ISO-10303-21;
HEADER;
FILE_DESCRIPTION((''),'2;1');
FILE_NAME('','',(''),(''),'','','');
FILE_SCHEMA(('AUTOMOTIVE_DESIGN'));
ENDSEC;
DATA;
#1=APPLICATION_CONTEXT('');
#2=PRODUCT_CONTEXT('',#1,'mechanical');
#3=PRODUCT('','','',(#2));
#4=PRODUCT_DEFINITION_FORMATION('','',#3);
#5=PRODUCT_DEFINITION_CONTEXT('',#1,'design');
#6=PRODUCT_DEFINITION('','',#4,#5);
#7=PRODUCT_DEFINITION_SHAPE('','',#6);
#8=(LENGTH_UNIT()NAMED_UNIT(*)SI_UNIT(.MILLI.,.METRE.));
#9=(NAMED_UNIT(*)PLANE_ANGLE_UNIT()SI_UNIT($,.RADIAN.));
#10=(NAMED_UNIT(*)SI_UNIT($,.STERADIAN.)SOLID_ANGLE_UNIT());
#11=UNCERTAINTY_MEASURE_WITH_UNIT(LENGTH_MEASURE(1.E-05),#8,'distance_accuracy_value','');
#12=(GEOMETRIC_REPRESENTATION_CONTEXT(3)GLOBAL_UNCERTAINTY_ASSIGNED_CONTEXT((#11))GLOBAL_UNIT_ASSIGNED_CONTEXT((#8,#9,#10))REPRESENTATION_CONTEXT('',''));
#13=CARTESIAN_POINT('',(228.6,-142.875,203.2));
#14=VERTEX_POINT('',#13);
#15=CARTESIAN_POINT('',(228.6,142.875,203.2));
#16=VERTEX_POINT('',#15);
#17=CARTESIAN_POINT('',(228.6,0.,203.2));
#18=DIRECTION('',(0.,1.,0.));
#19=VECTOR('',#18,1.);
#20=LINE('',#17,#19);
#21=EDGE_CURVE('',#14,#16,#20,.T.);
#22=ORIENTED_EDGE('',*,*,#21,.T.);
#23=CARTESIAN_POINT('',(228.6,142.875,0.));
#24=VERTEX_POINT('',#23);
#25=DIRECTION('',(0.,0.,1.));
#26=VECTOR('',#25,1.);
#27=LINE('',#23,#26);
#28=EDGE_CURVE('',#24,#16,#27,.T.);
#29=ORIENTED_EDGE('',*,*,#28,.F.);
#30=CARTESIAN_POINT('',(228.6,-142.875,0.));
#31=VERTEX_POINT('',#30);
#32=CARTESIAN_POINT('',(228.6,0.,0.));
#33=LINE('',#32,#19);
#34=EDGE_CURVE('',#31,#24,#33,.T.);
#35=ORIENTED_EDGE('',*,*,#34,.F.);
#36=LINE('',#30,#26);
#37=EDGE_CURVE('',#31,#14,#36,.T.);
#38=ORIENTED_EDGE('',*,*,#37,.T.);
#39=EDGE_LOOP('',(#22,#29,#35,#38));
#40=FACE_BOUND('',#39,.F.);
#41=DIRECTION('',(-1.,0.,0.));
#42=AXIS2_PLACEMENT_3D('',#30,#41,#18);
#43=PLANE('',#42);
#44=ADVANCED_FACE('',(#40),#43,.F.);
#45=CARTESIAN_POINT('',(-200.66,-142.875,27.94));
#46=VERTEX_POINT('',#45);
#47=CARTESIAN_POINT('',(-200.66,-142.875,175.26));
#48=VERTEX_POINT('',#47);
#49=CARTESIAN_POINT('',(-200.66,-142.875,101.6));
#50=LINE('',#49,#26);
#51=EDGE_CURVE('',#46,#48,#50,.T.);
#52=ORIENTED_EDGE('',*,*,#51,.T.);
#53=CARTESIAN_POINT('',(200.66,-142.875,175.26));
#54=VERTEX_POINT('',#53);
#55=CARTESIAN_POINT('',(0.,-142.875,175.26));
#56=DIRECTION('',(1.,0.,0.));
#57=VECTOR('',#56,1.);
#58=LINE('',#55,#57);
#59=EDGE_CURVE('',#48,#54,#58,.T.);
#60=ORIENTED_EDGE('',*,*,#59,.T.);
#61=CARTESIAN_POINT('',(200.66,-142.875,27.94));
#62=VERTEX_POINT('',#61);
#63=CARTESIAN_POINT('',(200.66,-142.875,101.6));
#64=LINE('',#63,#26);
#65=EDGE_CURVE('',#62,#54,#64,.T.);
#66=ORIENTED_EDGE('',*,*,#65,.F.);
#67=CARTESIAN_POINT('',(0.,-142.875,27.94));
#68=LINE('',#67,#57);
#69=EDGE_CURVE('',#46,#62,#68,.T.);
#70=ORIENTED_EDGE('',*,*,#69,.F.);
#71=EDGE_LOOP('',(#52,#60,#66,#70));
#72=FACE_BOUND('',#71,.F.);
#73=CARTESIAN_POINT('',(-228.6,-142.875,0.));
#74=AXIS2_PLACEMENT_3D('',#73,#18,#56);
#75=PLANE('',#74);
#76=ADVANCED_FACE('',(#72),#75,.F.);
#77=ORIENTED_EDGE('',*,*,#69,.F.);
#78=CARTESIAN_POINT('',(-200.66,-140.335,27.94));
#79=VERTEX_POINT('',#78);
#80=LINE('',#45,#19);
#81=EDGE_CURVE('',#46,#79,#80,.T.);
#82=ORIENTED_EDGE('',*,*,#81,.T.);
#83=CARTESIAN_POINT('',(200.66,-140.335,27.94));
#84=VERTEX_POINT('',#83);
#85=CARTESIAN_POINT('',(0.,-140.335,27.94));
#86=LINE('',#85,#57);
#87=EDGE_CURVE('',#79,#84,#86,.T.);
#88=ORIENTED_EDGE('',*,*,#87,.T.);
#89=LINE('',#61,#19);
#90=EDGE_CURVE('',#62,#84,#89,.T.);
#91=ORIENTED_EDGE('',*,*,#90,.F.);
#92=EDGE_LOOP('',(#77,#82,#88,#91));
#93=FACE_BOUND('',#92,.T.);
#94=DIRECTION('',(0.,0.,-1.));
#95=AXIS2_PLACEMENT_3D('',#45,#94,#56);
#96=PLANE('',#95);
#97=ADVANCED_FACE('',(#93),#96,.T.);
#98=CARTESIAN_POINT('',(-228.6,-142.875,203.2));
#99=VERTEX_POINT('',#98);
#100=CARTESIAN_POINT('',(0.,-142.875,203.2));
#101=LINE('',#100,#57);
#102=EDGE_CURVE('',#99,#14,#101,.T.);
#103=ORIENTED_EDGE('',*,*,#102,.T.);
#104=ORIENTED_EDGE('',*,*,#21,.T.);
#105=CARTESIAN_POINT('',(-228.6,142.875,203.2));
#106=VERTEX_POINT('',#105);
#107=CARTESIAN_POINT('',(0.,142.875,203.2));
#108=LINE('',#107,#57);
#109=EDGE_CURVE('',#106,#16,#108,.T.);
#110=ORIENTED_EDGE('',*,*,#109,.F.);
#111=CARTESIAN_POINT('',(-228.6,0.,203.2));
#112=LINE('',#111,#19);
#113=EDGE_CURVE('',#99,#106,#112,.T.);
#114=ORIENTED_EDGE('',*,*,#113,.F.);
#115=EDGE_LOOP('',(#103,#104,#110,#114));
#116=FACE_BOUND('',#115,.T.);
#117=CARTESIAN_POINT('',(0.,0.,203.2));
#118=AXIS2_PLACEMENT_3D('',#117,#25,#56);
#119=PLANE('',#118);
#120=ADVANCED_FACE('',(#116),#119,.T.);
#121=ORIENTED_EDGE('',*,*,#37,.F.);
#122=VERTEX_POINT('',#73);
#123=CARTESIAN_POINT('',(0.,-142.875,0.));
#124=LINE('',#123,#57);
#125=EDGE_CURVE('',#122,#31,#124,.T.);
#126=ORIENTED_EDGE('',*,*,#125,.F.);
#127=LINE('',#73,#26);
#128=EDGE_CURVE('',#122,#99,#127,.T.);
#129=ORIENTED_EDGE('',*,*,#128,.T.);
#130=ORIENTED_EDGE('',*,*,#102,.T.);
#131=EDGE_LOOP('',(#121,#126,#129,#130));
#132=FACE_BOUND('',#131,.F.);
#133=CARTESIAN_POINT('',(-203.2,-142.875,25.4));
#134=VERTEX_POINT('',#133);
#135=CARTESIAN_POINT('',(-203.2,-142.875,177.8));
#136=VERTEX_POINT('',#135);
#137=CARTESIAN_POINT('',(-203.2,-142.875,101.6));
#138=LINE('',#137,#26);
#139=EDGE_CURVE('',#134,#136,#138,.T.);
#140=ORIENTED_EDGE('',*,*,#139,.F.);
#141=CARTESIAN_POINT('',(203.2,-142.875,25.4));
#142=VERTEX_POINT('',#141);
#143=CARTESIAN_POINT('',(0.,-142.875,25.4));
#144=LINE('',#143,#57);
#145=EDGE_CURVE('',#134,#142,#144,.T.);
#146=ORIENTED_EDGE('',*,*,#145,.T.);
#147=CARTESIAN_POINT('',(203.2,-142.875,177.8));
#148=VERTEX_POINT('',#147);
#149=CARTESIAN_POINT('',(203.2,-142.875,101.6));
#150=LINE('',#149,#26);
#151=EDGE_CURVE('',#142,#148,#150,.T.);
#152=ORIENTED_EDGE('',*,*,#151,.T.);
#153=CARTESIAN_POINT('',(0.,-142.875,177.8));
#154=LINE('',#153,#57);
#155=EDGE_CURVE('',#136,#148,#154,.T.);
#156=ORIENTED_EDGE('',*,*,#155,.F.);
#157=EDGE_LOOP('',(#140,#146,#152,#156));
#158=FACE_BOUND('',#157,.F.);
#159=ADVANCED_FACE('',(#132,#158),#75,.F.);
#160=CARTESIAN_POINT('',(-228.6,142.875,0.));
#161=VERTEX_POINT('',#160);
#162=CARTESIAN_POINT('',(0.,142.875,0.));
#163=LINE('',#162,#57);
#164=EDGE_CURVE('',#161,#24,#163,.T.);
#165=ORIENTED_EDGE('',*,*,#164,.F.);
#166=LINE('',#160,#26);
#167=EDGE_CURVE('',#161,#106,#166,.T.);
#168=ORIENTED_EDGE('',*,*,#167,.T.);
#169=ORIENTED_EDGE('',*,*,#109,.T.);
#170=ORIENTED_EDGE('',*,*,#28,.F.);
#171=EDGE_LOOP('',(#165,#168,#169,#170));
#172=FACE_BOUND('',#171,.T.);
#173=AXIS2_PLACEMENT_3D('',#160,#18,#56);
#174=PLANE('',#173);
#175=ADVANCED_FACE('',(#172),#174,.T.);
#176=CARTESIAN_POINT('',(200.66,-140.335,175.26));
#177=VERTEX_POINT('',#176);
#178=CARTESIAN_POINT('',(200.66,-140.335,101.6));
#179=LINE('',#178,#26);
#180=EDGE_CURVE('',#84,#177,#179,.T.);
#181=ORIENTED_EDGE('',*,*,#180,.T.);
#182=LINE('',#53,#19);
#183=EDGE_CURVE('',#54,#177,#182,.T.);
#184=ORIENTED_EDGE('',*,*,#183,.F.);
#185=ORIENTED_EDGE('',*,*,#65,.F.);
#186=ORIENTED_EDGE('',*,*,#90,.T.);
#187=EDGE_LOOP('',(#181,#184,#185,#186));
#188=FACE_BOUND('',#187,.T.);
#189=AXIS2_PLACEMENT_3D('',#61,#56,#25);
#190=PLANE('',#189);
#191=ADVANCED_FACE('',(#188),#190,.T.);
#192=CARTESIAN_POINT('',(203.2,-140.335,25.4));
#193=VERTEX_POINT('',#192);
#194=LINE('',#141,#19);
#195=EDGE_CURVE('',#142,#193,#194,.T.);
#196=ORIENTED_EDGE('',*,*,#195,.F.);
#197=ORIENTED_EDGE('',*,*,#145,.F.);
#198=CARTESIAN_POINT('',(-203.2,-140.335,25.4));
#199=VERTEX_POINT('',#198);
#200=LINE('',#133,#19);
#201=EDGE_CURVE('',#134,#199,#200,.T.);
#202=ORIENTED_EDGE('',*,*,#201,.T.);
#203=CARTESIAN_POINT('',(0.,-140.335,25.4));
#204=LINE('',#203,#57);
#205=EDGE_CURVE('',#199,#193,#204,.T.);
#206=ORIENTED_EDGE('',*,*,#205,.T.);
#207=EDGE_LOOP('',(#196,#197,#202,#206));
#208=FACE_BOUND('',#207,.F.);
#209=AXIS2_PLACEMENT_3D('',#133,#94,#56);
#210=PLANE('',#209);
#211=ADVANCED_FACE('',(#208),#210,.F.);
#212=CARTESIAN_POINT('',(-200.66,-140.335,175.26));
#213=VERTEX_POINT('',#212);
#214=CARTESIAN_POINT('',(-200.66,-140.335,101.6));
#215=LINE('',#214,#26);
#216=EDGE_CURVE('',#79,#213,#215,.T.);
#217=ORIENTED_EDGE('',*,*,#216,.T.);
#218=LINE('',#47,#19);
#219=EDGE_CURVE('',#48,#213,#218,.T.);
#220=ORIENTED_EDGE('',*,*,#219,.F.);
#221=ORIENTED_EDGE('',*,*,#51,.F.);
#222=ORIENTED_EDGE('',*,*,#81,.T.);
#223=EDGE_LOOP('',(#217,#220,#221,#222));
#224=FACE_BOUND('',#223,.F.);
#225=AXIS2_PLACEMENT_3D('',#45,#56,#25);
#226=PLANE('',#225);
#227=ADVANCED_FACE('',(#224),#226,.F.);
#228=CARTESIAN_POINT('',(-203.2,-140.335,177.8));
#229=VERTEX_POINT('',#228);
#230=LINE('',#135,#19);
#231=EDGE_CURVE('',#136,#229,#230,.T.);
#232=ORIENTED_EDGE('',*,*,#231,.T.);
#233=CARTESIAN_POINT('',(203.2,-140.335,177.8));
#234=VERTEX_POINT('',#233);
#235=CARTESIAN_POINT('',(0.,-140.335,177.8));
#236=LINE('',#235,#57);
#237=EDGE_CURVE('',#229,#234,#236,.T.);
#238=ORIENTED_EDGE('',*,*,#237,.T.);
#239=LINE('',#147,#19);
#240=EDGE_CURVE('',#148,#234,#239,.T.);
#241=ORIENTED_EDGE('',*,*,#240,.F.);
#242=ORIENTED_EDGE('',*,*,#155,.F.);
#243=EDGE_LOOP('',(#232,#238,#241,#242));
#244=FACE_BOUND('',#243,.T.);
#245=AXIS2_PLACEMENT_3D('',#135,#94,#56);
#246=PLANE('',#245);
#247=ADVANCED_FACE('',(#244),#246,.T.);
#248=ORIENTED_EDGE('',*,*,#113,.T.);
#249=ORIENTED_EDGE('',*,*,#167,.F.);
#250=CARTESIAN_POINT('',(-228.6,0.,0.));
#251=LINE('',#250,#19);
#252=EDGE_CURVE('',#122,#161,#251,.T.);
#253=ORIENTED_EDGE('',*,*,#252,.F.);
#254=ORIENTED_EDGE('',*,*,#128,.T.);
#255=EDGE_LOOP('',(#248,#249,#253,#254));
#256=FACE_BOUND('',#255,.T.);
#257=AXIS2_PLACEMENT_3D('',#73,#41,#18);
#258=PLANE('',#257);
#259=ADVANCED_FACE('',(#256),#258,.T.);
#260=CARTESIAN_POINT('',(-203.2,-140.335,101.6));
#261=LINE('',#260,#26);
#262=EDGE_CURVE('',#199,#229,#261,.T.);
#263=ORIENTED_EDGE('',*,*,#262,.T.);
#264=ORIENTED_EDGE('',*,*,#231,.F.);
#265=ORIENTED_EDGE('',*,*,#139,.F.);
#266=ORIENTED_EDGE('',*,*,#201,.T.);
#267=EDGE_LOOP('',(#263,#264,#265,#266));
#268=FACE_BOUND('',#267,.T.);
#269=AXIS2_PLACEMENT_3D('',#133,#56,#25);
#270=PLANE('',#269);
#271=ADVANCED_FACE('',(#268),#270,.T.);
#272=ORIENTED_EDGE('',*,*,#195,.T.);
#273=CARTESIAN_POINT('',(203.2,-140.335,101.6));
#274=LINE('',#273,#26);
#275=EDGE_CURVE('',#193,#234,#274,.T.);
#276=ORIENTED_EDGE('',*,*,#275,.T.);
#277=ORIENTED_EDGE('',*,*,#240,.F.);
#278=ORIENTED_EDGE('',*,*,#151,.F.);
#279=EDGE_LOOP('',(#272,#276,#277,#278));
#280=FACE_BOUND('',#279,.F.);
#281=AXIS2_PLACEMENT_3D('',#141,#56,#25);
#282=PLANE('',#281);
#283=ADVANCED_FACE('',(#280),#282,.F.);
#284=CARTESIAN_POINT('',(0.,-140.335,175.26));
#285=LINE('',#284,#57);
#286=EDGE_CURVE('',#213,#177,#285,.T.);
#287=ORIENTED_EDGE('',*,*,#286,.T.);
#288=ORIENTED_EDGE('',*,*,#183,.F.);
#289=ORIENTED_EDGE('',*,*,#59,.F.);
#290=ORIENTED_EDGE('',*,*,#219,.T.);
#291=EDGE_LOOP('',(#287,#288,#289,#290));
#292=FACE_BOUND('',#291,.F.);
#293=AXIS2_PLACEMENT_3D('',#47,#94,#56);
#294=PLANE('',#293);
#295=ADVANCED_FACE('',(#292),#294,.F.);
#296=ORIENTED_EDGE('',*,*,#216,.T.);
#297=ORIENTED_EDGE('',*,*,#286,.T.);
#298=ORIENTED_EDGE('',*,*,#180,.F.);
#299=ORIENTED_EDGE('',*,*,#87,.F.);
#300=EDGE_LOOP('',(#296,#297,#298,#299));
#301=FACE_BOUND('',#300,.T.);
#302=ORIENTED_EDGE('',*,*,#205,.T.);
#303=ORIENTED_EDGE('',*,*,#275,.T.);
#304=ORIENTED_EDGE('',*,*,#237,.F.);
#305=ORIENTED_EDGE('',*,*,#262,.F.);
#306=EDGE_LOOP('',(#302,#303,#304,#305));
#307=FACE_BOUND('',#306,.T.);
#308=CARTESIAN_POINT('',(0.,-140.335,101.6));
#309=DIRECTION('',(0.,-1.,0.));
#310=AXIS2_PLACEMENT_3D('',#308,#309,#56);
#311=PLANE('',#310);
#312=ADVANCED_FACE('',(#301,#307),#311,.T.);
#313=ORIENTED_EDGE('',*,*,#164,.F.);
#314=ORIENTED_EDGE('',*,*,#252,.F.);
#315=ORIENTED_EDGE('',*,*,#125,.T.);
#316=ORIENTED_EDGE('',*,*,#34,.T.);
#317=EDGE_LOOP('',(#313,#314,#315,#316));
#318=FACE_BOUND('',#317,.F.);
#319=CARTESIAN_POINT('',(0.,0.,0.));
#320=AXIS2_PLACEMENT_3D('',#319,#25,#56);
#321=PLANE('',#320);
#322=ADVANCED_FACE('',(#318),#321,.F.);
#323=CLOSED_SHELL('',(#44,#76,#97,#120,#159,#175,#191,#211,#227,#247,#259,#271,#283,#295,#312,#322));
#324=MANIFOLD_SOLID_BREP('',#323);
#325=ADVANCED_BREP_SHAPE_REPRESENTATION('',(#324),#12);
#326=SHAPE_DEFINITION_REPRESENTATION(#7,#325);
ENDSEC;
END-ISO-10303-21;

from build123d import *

# Parameters (mm, degrees)
F0_W     = 457.2
F0_H     = 285.75
F1_DEPTH = 203.2
F2_W     = 406.4
F2_H     = 152.4
F2_W_2   = 401.32
F2_H_2   = 147.32
F3_DEPTH = 2.54


with BuildPart() as f1:
    # F0 (on Top) → F1 (new body)
    with BuildSketch(Plane.XY):
        Rectangle(F0_W, F0_H)
    extrude(amount=F1_DEPTH)

    # F2 (on face) → F3 (cut)
    with BuildSketch(Plane.XZ.offset(142.875)):
        with Locations((0, 101.6)):
            Rectangle(F2_W, F2_H)
        with Locations((0, 101.6)):
            Rectangle(F2_W_2, F2_H_2, mode=Mode.SUBTRACT)
    extrude(amount=-F3_DEPTH, mode=Mode.SUBTRACT)


solid = f1.part
